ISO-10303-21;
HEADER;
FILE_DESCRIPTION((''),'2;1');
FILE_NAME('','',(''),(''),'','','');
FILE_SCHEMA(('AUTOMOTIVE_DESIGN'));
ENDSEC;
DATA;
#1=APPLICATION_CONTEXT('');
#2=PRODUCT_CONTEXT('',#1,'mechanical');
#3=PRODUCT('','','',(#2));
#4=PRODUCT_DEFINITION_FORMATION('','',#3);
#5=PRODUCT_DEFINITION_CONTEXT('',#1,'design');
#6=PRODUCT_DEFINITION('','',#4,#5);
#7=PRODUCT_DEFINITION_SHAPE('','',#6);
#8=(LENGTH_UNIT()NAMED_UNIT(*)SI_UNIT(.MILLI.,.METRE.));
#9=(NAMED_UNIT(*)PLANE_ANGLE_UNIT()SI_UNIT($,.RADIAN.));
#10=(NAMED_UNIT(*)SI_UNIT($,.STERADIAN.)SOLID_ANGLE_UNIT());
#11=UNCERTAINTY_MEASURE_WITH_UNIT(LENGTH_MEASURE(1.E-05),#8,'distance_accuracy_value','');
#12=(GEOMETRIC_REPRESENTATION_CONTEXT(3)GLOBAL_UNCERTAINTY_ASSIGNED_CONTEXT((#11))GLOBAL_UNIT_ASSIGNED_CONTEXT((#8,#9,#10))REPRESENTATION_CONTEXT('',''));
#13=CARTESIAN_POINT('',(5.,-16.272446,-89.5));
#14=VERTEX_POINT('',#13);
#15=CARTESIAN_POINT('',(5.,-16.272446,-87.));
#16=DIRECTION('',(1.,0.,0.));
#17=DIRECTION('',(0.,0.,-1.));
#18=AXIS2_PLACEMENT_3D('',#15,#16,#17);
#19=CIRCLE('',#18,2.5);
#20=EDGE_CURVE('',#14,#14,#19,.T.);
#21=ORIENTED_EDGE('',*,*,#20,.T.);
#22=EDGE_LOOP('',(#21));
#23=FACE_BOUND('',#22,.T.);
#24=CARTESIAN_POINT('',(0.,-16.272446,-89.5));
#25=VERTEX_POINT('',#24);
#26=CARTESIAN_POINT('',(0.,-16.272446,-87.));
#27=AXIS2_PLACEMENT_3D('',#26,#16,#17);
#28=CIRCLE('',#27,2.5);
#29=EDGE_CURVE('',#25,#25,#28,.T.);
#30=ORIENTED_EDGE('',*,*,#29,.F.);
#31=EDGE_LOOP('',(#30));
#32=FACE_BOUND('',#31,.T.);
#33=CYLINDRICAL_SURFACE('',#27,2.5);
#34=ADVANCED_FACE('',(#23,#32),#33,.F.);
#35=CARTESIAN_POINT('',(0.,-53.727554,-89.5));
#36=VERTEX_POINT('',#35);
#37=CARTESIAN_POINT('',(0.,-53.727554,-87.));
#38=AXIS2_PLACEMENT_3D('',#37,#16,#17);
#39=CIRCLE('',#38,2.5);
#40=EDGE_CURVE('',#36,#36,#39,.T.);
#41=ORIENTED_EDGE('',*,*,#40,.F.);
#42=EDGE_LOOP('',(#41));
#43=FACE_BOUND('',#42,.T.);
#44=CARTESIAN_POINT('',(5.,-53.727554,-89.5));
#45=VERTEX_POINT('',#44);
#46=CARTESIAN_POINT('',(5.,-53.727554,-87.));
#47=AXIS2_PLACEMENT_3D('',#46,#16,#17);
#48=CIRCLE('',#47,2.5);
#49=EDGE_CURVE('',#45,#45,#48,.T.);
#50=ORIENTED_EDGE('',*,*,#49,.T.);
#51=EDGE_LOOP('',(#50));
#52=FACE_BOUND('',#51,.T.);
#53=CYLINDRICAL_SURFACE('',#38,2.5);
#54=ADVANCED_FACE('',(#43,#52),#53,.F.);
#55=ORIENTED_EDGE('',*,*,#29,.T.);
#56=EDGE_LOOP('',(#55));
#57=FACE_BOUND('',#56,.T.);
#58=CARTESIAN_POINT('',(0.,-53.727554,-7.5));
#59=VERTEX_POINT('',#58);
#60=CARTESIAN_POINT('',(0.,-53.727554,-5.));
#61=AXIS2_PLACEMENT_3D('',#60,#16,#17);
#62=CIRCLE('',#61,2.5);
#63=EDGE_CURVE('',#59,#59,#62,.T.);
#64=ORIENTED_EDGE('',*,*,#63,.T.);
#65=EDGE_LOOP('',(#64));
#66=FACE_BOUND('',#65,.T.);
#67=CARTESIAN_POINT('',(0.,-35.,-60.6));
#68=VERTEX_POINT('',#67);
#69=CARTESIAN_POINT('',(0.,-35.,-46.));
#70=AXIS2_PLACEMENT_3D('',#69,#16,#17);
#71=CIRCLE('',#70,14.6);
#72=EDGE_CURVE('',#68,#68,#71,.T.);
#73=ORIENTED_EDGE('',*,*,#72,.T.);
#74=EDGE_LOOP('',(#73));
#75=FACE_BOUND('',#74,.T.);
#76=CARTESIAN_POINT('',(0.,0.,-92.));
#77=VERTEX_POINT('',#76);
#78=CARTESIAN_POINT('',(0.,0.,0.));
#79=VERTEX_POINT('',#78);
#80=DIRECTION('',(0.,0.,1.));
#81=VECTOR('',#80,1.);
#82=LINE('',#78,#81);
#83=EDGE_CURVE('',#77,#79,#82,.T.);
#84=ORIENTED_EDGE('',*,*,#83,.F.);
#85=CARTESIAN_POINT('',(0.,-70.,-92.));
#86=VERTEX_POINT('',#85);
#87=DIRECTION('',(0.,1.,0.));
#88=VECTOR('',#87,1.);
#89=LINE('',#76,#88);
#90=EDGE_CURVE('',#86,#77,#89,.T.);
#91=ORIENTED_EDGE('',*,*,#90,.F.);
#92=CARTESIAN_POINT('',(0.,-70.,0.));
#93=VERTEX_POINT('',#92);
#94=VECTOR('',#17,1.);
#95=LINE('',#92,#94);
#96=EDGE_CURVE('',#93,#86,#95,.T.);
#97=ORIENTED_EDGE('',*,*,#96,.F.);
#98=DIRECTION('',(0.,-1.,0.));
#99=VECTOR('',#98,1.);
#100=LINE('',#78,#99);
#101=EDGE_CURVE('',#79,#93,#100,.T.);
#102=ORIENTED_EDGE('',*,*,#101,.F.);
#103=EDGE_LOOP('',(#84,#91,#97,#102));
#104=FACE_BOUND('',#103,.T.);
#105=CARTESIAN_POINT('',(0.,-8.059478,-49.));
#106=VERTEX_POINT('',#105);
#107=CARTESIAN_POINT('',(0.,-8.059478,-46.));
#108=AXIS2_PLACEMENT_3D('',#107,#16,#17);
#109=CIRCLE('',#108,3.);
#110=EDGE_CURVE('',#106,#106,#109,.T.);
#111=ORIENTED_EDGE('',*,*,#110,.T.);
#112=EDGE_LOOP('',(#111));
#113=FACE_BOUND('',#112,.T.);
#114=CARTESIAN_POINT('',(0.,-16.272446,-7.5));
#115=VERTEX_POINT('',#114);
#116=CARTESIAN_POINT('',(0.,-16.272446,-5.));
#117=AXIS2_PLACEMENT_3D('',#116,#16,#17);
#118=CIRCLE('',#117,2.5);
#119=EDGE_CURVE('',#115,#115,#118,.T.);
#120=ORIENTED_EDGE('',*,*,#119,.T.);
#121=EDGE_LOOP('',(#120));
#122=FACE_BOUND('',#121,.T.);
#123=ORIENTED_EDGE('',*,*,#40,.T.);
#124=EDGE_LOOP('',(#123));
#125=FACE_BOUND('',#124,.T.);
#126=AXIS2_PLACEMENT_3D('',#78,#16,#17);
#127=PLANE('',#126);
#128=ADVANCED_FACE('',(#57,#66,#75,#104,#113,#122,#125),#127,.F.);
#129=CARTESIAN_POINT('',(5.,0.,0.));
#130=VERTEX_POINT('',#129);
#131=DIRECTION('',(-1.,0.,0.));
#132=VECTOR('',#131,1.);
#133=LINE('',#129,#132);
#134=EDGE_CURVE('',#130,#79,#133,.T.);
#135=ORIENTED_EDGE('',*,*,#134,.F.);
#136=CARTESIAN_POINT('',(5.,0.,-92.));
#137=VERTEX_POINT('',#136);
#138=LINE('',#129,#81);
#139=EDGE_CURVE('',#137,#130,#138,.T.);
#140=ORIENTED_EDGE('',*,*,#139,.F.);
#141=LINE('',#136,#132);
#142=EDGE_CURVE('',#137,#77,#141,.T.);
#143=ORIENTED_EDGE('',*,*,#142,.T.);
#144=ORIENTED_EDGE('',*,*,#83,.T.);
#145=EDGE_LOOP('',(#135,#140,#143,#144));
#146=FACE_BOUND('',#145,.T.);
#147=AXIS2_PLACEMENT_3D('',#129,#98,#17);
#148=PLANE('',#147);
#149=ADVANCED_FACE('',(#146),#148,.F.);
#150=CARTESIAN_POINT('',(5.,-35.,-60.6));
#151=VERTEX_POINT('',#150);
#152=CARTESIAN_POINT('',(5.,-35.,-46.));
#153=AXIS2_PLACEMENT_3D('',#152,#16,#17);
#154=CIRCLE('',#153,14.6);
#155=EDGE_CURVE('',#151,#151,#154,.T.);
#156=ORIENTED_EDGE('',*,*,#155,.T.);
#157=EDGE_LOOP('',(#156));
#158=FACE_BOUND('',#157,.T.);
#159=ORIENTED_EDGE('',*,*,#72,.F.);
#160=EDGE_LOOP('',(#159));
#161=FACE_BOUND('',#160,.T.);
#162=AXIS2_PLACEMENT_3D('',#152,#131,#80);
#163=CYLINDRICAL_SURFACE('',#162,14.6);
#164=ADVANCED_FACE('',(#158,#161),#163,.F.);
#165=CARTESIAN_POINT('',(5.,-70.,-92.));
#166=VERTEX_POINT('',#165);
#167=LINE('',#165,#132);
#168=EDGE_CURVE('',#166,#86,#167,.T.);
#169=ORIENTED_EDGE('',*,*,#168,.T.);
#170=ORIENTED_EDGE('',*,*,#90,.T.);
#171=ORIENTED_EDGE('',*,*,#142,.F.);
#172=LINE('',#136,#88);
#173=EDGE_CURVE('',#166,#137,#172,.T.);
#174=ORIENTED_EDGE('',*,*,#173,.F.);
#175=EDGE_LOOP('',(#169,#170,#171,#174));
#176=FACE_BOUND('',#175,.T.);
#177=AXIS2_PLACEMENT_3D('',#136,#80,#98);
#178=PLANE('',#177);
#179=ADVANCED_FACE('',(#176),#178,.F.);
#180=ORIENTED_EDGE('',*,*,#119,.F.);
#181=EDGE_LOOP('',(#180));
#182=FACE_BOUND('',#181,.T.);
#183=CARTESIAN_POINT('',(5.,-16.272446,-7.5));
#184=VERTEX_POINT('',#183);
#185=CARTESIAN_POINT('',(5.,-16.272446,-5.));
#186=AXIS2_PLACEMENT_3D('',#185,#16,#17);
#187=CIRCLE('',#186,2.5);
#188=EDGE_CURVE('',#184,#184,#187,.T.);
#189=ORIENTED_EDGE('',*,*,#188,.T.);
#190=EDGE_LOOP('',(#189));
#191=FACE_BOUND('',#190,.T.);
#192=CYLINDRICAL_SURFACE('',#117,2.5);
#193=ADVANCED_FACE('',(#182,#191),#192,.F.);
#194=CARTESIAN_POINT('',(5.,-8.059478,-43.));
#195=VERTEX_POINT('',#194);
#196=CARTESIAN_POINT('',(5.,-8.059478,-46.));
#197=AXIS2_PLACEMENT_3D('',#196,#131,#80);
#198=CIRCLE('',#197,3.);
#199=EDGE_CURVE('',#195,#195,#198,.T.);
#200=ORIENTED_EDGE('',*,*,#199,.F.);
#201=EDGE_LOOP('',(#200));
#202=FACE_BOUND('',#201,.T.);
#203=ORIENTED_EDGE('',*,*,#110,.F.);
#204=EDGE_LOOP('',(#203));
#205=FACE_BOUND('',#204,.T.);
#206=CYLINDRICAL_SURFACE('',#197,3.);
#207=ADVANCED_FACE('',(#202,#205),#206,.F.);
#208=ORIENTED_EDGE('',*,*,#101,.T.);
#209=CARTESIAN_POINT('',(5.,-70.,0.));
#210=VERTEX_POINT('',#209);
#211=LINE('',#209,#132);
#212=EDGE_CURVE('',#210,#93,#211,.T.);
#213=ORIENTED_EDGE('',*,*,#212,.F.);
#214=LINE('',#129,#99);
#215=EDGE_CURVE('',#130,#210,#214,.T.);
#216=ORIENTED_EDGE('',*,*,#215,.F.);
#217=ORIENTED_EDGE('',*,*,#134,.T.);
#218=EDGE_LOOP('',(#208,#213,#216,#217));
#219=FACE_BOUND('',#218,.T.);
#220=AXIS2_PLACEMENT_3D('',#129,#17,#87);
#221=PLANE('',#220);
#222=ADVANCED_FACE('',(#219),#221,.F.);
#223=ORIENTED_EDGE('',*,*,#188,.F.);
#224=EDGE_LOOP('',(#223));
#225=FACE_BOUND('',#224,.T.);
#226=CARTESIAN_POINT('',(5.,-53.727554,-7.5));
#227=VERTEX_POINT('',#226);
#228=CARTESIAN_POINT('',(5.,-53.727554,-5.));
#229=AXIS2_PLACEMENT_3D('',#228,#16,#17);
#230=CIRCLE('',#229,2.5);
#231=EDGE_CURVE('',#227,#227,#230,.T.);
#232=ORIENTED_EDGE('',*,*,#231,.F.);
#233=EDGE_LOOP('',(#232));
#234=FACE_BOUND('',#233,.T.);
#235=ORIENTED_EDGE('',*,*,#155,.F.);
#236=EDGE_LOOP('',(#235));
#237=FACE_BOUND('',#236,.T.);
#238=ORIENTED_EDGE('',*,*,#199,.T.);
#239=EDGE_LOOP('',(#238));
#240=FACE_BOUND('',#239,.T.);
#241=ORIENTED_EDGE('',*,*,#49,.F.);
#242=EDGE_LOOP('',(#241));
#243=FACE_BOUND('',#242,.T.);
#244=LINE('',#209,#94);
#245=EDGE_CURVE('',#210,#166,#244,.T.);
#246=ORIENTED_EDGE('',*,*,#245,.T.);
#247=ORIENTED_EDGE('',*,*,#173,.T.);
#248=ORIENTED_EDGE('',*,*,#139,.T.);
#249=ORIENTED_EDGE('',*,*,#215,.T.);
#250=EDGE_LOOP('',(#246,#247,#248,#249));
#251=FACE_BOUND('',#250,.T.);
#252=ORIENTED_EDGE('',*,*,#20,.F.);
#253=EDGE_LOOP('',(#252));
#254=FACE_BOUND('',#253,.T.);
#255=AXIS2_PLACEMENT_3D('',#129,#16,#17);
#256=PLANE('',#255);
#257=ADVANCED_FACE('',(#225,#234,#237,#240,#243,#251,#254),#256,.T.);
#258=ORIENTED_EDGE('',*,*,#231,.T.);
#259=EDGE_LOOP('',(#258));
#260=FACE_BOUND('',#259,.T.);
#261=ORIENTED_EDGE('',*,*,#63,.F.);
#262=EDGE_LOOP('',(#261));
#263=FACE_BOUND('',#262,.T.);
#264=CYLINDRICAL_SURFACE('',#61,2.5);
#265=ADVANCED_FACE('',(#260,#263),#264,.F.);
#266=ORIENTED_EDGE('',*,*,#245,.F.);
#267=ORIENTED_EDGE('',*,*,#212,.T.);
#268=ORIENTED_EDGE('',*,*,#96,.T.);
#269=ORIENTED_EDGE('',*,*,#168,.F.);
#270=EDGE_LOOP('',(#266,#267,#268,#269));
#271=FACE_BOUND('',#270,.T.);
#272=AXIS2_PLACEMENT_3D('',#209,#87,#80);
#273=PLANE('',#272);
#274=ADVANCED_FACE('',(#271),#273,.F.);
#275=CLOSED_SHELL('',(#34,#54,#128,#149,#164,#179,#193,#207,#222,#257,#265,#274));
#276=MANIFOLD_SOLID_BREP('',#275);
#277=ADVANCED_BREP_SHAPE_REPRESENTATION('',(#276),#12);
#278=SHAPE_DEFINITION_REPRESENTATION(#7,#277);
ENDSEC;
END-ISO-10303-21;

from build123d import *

# Parameters (mm, degrees)
SKETCH1_W               = 92
SKETCH1_H               = 70
SKETCH1_R               = 14.6
BOSS_EXTRUDE1_DEPTH     = 5
CUT_EXTRUDE1_DEPTH      = 116.71084651
CUT_EXTRUDE1_DEPTH_BACK = 116.71084651
SKETCH2_R               = 2.5
CUT_EXTRUDE2_DEPTH      = 116.71084651
CUT_EXTRUDE2_DEPTH_BACK = 116.71084651
SKETCH3_R               = 3


with BuildPart() as part:
    # Sketch1 → Boss-Extrude1 (new body)
    with BuildSketch(Plane(origin=(0, 0, 0), x_dir=(0, 0, -1), z_dir=(1, 0, 0))):
        with Locations((46, -35)):
            Rectangle(SKETCH1_W, SKETCH1_H)
        with Locations((46, -35)):
            Circle(SKETCH1_R, mode=Mode.SUBTRACT)
    extrude(amount=BOSS_EXTRUDE1_DEPTH)

    # Sketch2 → Cut-Extrude1 (cut, two sides: drawn at the far end of the back side and taken through both)
    with BuildSketch(Plane(origin=(5, 0, 0), x_dir=(0, 0, -1), z_dir=(1, 0, 0)).offset(-CUT_EXTRUDE1_DEPTH_BACK)):
        with Locations((5, -53.727554141)):
            Circle(SKETCH2_R)
        with Locations((5, -16.272445859)):
            Circle(SKETCH2_R)
        with Locations((87, -53.727554141)):
            Circle(SKETCH2_R)
        with Locations((87, -16.272445859)):
            Circle(SKETCH2_R)
    extrude(amount=CUT_EXTRUDE1_DEPTH + CUT_EXTRUDE1_DEPTH_BACK, mode=Mode.SUBTRACT)

    # Sketch3 → Cut-Extrude2 (cut, two sides: drawn at the far end of the back side and taken through both)
    with BuildSketch(Plane.ZY.offset(-CUT_EXTRUDE2_DEPTH_BACK)):
        with Locations((-46, -8.059478057)):
            Circle(SKETCH3_R)
    extrude(amount=CUT_EXTRUDE2_DEPTH + CUT_EXTRUDE2_DEPTH_BACK, mode=Mode.SUBTRACT)


solid = part.part
